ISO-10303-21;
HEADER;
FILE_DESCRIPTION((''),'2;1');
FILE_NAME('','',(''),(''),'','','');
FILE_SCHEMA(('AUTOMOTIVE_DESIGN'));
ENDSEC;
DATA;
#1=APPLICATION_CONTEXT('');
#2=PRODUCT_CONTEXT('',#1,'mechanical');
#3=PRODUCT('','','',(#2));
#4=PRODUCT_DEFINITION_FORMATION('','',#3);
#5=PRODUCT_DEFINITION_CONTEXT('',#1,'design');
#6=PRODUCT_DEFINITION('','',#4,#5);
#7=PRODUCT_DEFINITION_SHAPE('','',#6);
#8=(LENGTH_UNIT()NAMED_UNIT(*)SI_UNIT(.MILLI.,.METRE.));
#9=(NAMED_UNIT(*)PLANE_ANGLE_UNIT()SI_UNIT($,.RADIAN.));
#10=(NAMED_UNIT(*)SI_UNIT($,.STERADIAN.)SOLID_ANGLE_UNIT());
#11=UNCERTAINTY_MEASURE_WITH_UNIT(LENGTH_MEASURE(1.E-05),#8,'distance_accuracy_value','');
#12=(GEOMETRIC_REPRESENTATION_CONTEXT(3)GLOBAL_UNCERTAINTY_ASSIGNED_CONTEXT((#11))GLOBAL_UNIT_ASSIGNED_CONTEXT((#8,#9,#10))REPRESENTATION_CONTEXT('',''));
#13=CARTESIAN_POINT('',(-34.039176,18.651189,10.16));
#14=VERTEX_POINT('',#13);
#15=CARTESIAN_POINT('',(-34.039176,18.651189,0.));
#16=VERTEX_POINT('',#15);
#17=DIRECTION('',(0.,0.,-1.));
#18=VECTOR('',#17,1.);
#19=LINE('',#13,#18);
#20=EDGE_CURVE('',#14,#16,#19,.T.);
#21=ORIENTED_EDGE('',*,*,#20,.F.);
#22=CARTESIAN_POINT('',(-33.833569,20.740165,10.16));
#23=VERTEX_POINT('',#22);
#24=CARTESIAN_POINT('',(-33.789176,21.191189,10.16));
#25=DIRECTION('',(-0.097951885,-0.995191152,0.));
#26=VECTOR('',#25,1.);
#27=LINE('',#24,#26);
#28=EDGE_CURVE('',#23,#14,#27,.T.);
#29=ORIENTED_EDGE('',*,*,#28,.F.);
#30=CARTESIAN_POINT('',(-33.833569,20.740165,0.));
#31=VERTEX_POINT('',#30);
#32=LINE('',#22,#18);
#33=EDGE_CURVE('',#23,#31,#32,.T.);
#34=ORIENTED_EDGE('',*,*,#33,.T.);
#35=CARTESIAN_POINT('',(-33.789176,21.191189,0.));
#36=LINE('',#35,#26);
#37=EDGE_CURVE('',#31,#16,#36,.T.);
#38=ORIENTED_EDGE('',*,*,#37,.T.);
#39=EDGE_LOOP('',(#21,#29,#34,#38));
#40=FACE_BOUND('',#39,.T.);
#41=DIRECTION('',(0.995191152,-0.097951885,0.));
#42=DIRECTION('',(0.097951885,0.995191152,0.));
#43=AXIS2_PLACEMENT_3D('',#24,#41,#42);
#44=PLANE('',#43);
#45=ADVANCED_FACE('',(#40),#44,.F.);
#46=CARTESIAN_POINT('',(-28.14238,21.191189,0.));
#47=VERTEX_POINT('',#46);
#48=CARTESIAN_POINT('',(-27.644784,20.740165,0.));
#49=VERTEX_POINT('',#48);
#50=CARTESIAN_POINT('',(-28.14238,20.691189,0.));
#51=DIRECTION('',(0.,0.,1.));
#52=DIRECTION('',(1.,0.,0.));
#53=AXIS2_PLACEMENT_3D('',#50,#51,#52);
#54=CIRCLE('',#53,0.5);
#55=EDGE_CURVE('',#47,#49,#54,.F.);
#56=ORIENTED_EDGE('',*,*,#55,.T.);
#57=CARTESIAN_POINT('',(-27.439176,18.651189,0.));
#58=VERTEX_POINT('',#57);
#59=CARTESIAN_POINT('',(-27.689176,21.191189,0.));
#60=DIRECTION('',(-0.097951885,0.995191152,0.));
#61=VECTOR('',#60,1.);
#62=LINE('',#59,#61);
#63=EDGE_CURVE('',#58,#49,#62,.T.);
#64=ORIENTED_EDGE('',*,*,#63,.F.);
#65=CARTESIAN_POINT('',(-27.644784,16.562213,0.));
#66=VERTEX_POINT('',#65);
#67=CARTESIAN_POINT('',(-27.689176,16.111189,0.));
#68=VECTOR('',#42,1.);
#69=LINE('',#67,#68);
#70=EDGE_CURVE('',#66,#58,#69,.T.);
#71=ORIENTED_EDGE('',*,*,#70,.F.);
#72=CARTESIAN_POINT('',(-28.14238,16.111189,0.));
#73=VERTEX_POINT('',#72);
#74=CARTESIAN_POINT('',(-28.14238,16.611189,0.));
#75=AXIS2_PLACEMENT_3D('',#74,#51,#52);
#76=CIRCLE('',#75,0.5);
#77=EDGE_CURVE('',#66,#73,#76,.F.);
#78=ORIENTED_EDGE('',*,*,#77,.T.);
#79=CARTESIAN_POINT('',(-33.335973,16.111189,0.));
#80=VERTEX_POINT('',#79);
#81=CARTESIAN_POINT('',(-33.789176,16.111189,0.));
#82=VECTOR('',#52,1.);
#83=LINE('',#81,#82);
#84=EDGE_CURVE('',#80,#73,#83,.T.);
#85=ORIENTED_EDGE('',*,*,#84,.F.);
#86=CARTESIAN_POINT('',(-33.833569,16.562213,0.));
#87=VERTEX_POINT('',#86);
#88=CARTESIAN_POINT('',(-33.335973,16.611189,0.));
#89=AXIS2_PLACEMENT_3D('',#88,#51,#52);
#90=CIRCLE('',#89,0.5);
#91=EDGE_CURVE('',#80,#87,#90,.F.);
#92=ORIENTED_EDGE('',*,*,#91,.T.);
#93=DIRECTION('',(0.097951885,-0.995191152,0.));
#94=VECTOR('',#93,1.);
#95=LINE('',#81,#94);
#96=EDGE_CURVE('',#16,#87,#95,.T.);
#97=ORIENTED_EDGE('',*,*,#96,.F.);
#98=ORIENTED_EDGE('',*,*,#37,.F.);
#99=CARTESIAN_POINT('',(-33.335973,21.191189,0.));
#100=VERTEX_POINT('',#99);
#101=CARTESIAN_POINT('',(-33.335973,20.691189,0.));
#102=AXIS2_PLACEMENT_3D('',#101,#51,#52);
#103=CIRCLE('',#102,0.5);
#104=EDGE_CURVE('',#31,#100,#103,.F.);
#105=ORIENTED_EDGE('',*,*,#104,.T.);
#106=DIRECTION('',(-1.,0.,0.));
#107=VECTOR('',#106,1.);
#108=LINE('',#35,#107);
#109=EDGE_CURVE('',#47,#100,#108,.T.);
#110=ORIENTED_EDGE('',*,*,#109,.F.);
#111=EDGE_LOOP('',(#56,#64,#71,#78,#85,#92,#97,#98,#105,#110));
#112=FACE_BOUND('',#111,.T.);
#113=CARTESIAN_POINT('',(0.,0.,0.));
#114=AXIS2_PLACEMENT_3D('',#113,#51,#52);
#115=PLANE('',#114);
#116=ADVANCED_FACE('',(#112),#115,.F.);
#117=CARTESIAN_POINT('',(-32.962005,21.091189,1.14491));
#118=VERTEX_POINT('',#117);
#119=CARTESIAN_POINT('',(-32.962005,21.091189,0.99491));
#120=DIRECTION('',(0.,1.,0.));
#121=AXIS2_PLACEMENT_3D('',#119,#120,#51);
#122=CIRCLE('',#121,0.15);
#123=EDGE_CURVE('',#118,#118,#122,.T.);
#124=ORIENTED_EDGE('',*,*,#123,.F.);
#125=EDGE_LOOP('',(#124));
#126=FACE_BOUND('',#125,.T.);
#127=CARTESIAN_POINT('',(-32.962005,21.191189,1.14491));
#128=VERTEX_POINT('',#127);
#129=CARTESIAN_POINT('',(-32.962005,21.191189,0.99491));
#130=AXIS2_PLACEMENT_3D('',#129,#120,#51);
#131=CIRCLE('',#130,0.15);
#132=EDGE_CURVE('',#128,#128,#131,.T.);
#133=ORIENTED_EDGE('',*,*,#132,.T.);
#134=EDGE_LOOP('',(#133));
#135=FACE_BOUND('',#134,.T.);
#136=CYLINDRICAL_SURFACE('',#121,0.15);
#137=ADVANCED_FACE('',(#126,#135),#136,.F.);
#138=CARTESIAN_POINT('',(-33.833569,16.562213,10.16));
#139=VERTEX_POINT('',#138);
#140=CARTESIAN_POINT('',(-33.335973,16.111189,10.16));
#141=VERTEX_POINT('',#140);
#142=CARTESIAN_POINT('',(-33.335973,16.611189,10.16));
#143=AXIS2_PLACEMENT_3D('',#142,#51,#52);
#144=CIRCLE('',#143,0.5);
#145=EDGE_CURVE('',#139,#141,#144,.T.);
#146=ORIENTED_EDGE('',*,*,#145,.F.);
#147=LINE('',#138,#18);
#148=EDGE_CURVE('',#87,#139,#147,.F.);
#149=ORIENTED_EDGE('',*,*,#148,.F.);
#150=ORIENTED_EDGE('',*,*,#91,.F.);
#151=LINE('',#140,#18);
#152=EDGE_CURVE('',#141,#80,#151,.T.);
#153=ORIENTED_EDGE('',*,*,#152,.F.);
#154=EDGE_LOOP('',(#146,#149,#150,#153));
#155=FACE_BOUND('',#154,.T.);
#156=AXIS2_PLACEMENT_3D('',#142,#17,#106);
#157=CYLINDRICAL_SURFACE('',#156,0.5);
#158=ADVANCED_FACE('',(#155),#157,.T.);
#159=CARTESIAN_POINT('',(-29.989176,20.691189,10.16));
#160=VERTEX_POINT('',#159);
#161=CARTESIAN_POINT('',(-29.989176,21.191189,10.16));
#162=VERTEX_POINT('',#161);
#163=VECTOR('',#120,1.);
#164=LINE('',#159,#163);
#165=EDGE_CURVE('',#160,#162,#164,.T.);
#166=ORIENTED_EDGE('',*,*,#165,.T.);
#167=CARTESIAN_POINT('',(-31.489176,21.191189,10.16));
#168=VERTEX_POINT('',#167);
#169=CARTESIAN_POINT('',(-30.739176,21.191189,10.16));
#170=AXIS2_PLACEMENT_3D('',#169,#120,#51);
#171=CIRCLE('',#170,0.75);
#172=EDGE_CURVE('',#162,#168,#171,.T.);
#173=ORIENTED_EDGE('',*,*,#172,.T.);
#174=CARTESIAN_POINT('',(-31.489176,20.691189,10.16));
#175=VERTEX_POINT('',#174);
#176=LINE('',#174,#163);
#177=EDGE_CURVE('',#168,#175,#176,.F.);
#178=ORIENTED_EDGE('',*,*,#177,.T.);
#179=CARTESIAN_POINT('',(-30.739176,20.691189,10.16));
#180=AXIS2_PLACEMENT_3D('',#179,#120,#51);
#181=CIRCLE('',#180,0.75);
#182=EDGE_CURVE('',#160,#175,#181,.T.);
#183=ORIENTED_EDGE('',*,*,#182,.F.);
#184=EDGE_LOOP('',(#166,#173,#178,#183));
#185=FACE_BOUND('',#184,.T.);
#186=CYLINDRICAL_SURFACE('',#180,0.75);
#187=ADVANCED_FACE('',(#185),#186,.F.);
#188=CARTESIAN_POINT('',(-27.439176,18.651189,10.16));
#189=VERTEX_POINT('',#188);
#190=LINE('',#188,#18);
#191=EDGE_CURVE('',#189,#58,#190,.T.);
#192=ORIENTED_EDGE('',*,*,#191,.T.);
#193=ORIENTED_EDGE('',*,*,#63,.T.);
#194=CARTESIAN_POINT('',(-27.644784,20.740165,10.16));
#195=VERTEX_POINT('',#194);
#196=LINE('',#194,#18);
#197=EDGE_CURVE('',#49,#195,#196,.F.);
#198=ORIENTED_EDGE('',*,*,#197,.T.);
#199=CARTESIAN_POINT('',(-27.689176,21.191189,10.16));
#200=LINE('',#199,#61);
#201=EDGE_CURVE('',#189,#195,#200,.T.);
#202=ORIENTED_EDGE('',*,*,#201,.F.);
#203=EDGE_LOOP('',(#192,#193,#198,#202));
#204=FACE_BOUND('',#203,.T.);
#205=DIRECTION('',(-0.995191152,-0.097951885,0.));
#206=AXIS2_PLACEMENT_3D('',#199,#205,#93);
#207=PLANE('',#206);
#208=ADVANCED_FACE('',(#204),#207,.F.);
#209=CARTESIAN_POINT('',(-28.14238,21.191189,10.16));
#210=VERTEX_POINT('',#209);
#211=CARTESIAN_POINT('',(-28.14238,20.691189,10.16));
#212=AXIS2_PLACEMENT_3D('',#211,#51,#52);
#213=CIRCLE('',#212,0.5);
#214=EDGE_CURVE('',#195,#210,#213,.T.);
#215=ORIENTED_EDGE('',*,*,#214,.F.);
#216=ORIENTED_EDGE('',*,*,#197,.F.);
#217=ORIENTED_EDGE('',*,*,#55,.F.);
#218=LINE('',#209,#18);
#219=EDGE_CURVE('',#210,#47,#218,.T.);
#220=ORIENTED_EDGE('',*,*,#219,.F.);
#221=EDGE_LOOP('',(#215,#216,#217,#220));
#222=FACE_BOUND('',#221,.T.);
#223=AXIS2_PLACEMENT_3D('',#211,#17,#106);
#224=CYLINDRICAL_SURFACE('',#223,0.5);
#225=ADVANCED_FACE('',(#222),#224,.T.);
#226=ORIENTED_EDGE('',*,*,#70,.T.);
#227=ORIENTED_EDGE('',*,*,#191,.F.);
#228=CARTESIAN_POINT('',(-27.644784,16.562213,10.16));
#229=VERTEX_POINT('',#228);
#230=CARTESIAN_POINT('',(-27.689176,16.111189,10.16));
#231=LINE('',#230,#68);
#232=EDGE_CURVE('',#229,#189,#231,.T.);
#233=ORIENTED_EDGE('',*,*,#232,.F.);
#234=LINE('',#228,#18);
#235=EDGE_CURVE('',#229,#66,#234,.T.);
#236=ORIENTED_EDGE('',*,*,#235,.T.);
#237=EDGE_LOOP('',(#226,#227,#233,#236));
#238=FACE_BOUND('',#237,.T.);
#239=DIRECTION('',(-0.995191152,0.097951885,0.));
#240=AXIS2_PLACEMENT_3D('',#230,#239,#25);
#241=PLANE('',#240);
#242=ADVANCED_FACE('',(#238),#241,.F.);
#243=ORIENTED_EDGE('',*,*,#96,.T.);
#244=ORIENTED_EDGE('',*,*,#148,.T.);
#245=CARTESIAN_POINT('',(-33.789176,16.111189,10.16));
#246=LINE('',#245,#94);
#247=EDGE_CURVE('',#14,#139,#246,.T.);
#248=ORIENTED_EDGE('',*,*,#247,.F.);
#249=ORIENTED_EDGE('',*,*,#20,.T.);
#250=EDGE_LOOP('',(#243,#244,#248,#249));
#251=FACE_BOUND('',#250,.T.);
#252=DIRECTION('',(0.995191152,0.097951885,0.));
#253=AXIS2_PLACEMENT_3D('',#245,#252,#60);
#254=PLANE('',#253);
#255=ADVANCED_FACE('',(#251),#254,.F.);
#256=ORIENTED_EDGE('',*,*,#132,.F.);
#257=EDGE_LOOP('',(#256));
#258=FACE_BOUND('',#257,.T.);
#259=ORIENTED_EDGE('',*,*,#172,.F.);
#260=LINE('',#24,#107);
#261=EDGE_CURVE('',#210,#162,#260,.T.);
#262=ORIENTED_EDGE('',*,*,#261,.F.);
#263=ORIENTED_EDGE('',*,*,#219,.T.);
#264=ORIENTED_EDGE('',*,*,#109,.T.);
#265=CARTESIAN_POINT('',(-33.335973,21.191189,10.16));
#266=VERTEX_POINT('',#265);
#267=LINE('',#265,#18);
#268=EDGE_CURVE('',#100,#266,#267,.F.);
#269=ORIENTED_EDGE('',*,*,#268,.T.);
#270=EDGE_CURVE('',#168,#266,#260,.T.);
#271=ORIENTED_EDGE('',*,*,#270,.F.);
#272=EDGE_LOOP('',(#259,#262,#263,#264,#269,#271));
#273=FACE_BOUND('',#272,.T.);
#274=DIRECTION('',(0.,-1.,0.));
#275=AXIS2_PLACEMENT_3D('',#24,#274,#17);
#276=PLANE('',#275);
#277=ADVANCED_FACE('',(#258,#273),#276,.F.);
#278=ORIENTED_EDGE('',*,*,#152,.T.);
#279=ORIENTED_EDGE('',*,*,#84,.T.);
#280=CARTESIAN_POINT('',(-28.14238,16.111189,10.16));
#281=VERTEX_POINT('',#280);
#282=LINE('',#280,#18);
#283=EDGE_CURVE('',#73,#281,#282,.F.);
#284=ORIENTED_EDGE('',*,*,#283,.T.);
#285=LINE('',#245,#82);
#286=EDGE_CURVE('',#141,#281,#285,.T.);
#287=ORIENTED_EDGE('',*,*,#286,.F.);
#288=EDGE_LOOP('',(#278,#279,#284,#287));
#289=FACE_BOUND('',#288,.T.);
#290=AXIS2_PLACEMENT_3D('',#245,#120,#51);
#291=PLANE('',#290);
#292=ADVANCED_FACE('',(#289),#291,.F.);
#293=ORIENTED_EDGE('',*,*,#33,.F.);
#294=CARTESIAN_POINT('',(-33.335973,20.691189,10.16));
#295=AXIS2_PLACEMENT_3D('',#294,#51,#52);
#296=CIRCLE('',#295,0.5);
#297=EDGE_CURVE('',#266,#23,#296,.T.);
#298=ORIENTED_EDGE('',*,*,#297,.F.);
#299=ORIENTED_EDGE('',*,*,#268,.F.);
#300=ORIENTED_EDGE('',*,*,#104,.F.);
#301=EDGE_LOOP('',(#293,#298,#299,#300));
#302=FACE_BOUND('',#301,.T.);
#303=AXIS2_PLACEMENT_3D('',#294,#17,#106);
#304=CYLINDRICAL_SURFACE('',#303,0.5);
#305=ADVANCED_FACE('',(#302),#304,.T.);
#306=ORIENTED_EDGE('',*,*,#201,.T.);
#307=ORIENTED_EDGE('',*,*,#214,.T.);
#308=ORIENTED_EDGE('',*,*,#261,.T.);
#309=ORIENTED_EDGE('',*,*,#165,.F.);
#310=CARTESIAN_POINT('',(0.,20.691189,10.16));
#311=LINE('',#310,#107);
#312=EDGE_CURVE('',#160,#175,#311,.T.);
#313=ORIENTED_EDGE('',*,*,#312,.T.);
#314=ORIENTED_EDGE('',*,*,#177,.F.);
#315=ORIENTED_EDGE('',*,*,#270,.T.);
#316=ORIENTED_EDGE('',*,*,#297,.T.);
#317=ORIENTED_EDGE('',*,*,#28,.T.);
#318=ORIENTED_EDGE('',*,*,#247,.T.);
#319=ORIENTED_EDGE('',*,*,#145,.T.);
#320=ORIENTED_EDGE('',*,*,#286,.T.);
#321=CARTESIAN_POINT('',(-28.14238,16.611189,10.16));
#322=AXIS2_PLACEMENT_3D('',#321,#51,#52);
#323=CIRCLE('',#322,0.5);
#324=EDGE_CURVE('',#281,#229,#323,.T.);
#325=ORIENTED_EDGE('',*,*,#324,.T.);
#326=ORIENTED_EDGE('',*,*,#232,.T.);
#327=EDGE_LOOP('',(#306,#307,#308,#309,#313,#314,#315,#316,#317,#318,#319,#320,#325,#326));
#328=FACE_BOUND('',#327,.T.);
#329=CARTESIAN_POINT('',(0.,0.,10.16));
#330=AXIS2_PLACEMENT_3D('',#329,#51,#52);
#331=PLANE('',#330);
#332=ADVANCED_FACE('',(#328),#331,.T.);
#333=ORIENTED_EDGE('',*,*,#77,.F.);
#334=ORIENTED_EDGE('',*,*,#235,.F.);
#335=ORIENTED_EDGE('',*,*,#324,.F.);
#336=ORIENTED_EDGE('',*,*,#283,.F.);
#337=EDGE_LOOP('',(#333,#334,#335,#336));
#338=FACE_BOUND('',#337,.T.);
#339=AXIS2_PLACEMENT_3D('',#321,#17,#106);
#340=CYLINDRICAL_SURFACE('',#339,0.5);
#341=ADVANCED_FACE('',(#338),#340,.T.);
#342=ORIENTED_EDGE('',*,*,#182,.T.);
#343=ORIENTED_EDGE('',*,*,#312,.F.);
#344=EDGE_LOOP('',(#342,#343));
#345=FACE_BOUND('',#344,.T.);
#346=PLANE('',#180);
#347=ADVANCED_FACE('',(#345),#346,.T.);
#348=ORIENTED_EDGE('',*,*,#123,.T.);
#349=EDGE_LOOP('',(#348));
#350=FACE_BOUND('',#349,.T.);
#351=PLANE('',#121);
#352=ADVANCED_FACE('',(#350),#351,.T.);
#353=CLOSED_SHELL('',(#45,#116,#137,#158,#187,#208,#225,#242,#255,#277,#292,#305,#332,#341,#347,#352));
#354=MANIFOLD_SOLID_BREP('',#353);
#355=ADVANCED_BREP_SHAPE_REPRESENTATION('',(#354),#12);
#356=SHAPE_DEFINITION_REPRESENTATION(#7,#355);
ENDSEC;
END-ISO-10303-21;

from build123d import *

# Parameters (mm, degrees)
BOSS_EXTRUDE1_DEPTH = 10.16
FILLET1_R           = 0.5
SKETCH36_R          = 0.15
CUT_EXTRUDE26_DEPTH = 0.1
SKETCH37_R          = 0.75
CUT_EXTRUDE27_DEPTH = 0.5


with BuildPart() as part:
    # Sketch1 → Boss-Extrude1 (new body)
    with BuildSketch(Plane.XY):
        Polygon((-33.789176406, 21.191188847), (-27.689176406, 21.191188847), (-27.439176406, 18.651188847), (-27.689176406, 16.111188847), (-33.789176406, 16.111188847), (-34.039176406, 18.651188847), align=None)
    extrude(amount=BOSS_EXTRUDE1_DEPTH)

    # Fillet1
    fillet1_edges = [part.edges().sort_by_distance(p)[0] for p in [
        (-33.789176406, 21.191188847, 5.08),
        (-27.689176406, 21.191188847, 5.08),
        (-27.689176406, 16.111188847, 5.08),
        (-33.789176406, 16.111188847, 5.08),
    ]]
    fillet(fillet1_edges, radius=FILLET1_R)

    # Sketch36 → Cut-Extrude26 (cut)
    with BuildSketch(Plane(origin=(0, 21.191188847, 0), x_dir=(1, 0, 0), z_dir=(0, 1, 0))):
        with Locations((-32.962004814, -0.994910083)):
            Circle(SKETCH36_R)
    extrude(amount=-CUT_EXTRUDE26_DEPTH, mode=Mode.SUBTRACT)

    # Sketch37 → Cut-Extrude27 (cut)
    with BuildSketch(Plane(origin=(0, 21.191188847, 0), x_dir=(1, 0, 0), z_dir=(0, 1, 0))):
        with Locations((-30.739176406, -10.16)):
            Circle(SKETCH37_R)
    extrude(amount=-CUT_EXTRUDE27_DEPTH, mode=Mode.SUBTRACT)


solid = part.part
